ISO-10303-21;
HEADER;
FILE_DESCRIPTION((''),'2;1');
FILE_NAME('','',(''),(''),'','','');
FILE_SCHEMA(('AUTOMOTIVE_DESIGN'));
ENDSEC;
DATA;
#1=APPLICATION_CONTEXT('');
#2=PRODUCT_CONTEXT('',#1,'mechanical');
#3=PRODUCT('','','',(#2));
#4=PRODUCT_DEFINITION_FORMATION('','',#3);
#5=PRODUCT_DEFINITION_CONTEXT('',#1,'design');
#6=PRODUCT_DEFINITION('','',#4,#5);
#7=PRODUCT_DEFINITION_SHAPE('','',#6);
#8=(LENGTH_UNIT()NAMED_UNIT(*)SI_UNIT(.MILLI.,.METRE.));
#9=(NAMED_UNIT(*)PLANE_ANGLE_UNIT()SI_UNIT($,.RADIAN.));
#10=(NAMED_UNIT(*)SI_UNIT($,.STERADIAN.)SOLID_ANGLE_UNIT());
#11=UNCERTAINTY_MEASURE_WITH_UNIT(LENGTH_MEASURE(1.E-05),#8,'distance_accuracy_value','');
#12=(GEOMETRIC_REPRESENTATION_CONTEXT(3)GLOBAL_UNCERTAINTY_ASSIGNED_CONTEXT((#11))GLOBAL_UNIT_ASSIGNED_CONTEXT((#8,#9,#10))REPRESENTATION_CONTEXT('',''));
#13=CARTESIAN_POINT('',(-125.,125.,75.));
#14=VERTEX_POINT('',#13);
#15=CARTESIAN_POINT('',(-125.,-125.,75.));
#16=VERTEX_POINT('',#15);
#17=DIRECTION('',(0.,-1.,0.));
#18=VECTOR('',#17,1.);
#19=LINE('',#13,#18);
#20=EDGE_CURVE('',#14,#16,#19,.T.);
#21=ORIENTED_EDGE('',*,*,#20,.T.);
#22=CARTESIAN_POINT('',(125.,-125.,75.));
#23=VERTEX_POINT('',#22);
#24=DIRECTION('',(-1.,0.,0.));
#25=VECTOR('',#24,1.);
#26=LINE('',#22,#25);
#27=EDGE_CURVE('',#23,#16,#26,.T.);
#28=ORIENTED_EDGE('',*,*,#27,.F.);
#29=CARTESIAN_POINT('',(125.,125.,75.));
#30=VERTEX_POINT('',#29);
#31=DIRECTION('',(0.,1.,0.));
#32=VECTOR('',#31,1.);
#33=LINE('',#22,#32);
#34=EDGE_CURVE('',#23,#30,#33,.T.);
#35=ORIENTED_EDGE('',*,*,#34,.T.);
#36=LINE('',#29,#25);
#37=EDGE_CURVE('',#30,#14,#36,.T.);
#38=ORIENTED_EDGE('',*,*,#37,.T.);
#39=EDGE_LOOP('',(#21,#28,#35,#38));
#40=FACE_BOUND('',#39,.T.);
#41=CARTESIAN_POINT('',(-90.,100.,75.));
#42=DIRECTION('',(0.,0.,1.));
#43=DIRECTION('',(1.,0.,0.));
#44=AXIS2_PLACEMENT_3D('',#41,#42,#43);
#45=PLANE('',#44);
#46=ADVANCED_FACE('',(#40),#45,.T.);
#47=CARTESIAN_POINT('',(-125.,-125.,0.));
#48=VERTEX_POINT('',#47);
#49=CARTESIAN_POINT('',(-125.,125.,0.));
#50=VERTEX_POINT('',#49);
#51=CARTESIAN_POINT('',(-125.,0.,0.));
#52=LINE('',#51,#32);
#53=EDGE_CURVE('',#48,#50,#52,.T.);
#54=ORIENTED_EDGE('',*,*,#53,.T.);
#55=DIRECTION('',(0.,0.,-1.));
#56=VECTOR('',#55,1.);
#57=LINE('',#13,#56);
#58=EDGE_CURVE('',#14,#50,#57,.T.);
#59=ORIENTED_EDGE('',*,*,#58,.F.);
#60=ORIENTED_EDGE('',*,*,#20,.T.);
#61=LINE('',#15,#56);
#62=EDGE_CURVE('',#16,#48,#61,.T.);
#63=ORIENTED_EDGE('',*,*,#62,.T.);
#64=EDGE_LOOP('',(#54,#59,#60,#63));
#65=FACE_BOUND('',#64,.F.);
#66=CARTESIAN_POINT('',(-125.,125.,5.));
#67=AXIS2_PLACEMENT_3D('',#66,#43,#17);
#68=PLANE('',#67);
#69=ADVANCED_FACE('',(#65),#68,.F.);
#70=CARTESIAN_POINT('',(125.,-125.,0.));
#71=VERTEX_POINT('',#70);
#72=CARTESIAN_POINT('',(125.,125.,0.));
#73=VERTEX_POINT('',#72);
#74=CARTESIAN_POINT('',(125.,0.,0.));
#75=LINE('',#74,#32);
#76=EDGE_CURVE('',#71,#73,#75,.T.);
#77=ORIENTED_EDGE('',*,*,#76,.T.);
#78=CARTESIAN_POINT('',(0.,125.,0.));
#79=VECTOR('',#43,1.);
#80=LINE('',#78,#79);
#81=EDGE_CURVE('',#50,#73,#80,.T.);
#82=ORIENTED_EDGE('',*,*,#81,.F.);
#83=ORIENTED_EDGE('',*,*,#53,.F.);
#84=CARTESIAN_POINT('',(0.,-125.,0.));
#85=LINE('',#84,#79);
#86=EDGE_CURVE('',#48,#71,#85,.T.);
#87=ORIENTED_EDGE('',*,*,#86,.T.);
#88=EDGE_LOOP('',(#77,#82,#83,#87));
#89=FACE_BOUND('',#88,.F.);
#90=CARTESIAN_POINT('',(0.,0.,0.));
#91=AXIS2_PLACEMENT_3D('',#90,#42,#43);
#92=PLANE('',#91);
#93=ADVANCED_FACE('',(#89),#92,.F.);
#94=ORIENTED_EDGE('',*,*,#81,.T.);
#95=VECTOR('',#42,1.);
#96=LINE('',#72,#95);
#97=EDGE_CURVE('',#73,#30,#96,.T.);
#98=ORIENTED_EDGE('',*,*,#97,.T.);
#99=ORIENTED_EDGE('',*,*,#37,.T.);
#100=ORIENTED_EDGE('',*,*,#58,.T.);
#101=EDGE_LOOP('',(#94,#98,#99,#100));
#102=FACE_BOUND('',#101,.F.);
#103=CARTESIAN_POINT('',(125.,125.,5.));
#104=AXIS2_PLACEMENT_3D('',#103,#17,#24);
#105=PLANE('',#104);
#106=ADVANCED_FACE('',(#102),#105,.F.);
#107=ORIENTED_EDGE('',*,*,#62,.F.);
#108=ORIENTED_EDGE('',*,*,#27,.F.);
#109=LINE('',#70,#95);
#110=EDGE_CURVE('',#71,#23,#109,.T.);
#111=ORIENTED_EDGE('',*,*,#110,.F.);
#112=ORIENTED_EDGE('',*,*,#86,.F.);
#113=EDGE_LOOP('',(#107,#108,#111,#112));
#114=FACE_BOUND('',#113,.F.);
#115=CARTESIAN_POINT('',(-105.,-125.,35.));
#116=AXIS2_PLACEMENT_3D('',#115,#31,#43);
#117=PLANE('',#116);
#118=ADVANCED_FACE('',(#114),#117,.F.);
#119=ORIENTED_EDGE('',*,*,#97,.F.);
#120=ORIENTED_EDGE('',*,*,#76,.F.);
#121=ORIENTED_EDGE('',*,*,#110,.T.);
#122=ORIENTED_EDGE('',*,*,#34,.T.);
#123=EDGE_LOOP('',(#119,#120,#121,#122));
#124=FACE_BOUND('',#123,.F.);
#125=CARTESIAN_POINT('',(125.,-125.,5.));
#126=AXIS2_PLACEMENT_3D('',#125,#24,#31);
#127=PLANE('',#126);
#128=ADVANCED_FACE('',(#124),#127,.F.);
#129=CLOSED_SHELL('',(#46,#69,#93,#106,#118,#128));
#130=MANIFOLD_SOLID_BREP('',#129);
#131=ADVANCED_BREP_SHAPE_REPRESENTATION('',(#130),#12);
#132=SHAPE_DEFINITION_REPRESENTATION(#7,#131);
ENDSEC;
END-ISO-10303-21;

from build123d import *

# Parameters (mm, degrees)
F0_W      = 250
F0_H      = 250
F1_DEPTH  = 5
F3_DEPTH  = 70
F1_FACE_W = 210
F1_FACE_H = 240
F4_DEPTH  = 30
F5_W      = 30
F5_H      = 30
F6_DEPTH  = 40


with BuildPart() as f1:
    # F0 (on Top) → F1 (new body)
    with BuildSketch(Plane.XY):
        Rectangle(F0_W, F0_H)
    extrude(amount=F1_DEPTH)

    # F2 (on face) → F3 (join)
    with BuildSketch(Plane.XY.offset(5)):
        Polygon((-105, -125), (-105, 115), (105, 115), (105, -125), (125, -125), (125, 125), (-125, 125), (-125, -125), align=None)
    extrude(amount=F3_DEPTH)

    # F1_face (on face) → F4 (join)
    with BuildSketch(Plane.XY.offset(5)):
        with Locations((0, -5)):
            Rectangle(F1_FACE_W, F1_FACE_H)
    extrude(amount=F4_DEPTH)

    # F5 (on face) → F6 (join)
    with BuildSketch(Plane.XY.offset(35)):
        with Locations((-90, 100)):
            Rectangle(F5_W, F5_H)
        with Locations((-60, 70)):
            Rectangle(F5_W, F5_H)
        with Locations((-60, 100)):
            Rectangle(F5_W, F5_H)
        with Locations((-90, 70)):
            Rectangle(F5_W, F5_H)
        with Locations((-90, 40)):
            Rectangle(F5_W, F5_H)
        with Locations((-90, 10)):
            Rectangle(F5_W, F5_H)
        with Locations((-90, -20)):
            Rectangle(F5_W, F5_H)
        with Locations((-90, -50)):
            Rectangle(F5_W, F5_H)
        with Locations((-90, -80)):
            Rectangle(F5_W, F5_H)
        with Locations((-90, -110)):
            Rectangle(F5_W, F5_H)
        with Locations((-60, -110)):
            Rectangle(F5_W, F5_H)
        with Locations((-60, -80)):
            Rectangle(F5_W, F5_H)
        with Locations((-60, -50)):
            Rectangle(F5_W, F5_H)
        with Locations((-60, -20)):
            Rectangle(F5_W, F5_H)
        with Locations((-60, 10)):
            Rectangle(F5_W, F5_H)
        with Locations((-60, 40)):
            Rectangle(F5_W, F5_H)
        with Locations((-30, 100)):
            Rectangle(F5_W, F5_H)
        with Locations((-30, 70)):
            Rectangle(F5_W, F5_H)
        with Locations((-30, 40)):
            Rectangle(F5_W, F5_H)
        with Locations((-30, 10)):
            Rectangle(F5_W, F5_H)
        with Locations((-30, -20)):
            Rectangle(F5_W, F5_H)
        with Locations((-30, -110)):
            Rectangle(F5_W, F5_H)
        with Locations((-30, -80)):
            Rectangle(F5_W, F5_H)
        with Locations((-30, -50)):
            Rectangle(F5_W, F5_H)
        with Locations((0, -110)):
            Rectangle(F5_W, F5_H)
        with Locations((0, -80)):
            Rectangle(F5_W, F5_H)
        with Locations((0, -50)):
            Rectangle(F5_W, F5_H)
        with Locations((0, -20)):
            Rectangle(F5_W, F5_H)
        with Locations((0, 10)):
            Rectangle(F5_W, F5_H)
        with Locations((0, 40)):
            Rectangle(F5_W, F5_H)
        with Locations((0, 70)):
            Rectangle(F5_W, F5_H)
        with Locations((0, 100)):
            Rectangle(F5_W, F5_H)
        with Locations((30, 100)):
            Rectangle(F5_W, F5_H)
        with Locations((30, 70)):
            Rectangle(F5_W, F5_H)
        with Locations((30, 40)):
            Rectangle(F5_W, F5_H)
        with Locations((30, 10)):
            Rectangle(F5_W, F5_H)
        with Locations((30, -20)):
            Rectangle(F5_W, F5_H)
        with Locations((30, -50)):
            Rectangle(F5_W, F5_H)
        with Locations((30, -80)):
            Rectangle(F5_W, F5_H)
        with Locations((30, -110)):
            Rectangle(F5_W, F5_H)
        with Locations((60, -110)):
            Rectangle(F5_W, F5_H)
        with Locations((60, -80)):
            Rectangle(F5_W, F5_H)
        with Locations((60, -50)):
            Rectangle(F5_W, F5_H)
        with Locations((60, -20)):
            Rectangle(F5_W, F5_H)
        with Locations((60, 10)):
            Rectangle(F5_W, F5_H)
        with Locations((60, 40)):
            Rectangle(F5_W, F5_H)
        with Locations((60, 70)):
            Rectangle(F5_W, F5_H)
        with Locations((60, 100)):
            Rectangle(F5_W, F5_H)
        with Locations((90, -110)):
            Rectangle(F5_W, F5_H)
        with Locations((90, -80)):
            Rectangle(F5_W, F5_H)
        with Locations((90, -50)):
            Rectangle(F5_W, F5_H)
        with Locations((90, 10)):
            Rectangle(F5_W, F5_H)
        with Locations((90, -20)):
            Rectangle(F5_W, F5_H)
        with Locations((90, 40)):
            Rectangle(F5_W, F5_H)
        with Locations((90, 70)):
            Rectangle(F5_W, F5_H)
        with Locations((90, 100)):
            Rectangle(F5_W, F5_H)
    extrude(amount=F6_DEPTH)


solid = f1.part
